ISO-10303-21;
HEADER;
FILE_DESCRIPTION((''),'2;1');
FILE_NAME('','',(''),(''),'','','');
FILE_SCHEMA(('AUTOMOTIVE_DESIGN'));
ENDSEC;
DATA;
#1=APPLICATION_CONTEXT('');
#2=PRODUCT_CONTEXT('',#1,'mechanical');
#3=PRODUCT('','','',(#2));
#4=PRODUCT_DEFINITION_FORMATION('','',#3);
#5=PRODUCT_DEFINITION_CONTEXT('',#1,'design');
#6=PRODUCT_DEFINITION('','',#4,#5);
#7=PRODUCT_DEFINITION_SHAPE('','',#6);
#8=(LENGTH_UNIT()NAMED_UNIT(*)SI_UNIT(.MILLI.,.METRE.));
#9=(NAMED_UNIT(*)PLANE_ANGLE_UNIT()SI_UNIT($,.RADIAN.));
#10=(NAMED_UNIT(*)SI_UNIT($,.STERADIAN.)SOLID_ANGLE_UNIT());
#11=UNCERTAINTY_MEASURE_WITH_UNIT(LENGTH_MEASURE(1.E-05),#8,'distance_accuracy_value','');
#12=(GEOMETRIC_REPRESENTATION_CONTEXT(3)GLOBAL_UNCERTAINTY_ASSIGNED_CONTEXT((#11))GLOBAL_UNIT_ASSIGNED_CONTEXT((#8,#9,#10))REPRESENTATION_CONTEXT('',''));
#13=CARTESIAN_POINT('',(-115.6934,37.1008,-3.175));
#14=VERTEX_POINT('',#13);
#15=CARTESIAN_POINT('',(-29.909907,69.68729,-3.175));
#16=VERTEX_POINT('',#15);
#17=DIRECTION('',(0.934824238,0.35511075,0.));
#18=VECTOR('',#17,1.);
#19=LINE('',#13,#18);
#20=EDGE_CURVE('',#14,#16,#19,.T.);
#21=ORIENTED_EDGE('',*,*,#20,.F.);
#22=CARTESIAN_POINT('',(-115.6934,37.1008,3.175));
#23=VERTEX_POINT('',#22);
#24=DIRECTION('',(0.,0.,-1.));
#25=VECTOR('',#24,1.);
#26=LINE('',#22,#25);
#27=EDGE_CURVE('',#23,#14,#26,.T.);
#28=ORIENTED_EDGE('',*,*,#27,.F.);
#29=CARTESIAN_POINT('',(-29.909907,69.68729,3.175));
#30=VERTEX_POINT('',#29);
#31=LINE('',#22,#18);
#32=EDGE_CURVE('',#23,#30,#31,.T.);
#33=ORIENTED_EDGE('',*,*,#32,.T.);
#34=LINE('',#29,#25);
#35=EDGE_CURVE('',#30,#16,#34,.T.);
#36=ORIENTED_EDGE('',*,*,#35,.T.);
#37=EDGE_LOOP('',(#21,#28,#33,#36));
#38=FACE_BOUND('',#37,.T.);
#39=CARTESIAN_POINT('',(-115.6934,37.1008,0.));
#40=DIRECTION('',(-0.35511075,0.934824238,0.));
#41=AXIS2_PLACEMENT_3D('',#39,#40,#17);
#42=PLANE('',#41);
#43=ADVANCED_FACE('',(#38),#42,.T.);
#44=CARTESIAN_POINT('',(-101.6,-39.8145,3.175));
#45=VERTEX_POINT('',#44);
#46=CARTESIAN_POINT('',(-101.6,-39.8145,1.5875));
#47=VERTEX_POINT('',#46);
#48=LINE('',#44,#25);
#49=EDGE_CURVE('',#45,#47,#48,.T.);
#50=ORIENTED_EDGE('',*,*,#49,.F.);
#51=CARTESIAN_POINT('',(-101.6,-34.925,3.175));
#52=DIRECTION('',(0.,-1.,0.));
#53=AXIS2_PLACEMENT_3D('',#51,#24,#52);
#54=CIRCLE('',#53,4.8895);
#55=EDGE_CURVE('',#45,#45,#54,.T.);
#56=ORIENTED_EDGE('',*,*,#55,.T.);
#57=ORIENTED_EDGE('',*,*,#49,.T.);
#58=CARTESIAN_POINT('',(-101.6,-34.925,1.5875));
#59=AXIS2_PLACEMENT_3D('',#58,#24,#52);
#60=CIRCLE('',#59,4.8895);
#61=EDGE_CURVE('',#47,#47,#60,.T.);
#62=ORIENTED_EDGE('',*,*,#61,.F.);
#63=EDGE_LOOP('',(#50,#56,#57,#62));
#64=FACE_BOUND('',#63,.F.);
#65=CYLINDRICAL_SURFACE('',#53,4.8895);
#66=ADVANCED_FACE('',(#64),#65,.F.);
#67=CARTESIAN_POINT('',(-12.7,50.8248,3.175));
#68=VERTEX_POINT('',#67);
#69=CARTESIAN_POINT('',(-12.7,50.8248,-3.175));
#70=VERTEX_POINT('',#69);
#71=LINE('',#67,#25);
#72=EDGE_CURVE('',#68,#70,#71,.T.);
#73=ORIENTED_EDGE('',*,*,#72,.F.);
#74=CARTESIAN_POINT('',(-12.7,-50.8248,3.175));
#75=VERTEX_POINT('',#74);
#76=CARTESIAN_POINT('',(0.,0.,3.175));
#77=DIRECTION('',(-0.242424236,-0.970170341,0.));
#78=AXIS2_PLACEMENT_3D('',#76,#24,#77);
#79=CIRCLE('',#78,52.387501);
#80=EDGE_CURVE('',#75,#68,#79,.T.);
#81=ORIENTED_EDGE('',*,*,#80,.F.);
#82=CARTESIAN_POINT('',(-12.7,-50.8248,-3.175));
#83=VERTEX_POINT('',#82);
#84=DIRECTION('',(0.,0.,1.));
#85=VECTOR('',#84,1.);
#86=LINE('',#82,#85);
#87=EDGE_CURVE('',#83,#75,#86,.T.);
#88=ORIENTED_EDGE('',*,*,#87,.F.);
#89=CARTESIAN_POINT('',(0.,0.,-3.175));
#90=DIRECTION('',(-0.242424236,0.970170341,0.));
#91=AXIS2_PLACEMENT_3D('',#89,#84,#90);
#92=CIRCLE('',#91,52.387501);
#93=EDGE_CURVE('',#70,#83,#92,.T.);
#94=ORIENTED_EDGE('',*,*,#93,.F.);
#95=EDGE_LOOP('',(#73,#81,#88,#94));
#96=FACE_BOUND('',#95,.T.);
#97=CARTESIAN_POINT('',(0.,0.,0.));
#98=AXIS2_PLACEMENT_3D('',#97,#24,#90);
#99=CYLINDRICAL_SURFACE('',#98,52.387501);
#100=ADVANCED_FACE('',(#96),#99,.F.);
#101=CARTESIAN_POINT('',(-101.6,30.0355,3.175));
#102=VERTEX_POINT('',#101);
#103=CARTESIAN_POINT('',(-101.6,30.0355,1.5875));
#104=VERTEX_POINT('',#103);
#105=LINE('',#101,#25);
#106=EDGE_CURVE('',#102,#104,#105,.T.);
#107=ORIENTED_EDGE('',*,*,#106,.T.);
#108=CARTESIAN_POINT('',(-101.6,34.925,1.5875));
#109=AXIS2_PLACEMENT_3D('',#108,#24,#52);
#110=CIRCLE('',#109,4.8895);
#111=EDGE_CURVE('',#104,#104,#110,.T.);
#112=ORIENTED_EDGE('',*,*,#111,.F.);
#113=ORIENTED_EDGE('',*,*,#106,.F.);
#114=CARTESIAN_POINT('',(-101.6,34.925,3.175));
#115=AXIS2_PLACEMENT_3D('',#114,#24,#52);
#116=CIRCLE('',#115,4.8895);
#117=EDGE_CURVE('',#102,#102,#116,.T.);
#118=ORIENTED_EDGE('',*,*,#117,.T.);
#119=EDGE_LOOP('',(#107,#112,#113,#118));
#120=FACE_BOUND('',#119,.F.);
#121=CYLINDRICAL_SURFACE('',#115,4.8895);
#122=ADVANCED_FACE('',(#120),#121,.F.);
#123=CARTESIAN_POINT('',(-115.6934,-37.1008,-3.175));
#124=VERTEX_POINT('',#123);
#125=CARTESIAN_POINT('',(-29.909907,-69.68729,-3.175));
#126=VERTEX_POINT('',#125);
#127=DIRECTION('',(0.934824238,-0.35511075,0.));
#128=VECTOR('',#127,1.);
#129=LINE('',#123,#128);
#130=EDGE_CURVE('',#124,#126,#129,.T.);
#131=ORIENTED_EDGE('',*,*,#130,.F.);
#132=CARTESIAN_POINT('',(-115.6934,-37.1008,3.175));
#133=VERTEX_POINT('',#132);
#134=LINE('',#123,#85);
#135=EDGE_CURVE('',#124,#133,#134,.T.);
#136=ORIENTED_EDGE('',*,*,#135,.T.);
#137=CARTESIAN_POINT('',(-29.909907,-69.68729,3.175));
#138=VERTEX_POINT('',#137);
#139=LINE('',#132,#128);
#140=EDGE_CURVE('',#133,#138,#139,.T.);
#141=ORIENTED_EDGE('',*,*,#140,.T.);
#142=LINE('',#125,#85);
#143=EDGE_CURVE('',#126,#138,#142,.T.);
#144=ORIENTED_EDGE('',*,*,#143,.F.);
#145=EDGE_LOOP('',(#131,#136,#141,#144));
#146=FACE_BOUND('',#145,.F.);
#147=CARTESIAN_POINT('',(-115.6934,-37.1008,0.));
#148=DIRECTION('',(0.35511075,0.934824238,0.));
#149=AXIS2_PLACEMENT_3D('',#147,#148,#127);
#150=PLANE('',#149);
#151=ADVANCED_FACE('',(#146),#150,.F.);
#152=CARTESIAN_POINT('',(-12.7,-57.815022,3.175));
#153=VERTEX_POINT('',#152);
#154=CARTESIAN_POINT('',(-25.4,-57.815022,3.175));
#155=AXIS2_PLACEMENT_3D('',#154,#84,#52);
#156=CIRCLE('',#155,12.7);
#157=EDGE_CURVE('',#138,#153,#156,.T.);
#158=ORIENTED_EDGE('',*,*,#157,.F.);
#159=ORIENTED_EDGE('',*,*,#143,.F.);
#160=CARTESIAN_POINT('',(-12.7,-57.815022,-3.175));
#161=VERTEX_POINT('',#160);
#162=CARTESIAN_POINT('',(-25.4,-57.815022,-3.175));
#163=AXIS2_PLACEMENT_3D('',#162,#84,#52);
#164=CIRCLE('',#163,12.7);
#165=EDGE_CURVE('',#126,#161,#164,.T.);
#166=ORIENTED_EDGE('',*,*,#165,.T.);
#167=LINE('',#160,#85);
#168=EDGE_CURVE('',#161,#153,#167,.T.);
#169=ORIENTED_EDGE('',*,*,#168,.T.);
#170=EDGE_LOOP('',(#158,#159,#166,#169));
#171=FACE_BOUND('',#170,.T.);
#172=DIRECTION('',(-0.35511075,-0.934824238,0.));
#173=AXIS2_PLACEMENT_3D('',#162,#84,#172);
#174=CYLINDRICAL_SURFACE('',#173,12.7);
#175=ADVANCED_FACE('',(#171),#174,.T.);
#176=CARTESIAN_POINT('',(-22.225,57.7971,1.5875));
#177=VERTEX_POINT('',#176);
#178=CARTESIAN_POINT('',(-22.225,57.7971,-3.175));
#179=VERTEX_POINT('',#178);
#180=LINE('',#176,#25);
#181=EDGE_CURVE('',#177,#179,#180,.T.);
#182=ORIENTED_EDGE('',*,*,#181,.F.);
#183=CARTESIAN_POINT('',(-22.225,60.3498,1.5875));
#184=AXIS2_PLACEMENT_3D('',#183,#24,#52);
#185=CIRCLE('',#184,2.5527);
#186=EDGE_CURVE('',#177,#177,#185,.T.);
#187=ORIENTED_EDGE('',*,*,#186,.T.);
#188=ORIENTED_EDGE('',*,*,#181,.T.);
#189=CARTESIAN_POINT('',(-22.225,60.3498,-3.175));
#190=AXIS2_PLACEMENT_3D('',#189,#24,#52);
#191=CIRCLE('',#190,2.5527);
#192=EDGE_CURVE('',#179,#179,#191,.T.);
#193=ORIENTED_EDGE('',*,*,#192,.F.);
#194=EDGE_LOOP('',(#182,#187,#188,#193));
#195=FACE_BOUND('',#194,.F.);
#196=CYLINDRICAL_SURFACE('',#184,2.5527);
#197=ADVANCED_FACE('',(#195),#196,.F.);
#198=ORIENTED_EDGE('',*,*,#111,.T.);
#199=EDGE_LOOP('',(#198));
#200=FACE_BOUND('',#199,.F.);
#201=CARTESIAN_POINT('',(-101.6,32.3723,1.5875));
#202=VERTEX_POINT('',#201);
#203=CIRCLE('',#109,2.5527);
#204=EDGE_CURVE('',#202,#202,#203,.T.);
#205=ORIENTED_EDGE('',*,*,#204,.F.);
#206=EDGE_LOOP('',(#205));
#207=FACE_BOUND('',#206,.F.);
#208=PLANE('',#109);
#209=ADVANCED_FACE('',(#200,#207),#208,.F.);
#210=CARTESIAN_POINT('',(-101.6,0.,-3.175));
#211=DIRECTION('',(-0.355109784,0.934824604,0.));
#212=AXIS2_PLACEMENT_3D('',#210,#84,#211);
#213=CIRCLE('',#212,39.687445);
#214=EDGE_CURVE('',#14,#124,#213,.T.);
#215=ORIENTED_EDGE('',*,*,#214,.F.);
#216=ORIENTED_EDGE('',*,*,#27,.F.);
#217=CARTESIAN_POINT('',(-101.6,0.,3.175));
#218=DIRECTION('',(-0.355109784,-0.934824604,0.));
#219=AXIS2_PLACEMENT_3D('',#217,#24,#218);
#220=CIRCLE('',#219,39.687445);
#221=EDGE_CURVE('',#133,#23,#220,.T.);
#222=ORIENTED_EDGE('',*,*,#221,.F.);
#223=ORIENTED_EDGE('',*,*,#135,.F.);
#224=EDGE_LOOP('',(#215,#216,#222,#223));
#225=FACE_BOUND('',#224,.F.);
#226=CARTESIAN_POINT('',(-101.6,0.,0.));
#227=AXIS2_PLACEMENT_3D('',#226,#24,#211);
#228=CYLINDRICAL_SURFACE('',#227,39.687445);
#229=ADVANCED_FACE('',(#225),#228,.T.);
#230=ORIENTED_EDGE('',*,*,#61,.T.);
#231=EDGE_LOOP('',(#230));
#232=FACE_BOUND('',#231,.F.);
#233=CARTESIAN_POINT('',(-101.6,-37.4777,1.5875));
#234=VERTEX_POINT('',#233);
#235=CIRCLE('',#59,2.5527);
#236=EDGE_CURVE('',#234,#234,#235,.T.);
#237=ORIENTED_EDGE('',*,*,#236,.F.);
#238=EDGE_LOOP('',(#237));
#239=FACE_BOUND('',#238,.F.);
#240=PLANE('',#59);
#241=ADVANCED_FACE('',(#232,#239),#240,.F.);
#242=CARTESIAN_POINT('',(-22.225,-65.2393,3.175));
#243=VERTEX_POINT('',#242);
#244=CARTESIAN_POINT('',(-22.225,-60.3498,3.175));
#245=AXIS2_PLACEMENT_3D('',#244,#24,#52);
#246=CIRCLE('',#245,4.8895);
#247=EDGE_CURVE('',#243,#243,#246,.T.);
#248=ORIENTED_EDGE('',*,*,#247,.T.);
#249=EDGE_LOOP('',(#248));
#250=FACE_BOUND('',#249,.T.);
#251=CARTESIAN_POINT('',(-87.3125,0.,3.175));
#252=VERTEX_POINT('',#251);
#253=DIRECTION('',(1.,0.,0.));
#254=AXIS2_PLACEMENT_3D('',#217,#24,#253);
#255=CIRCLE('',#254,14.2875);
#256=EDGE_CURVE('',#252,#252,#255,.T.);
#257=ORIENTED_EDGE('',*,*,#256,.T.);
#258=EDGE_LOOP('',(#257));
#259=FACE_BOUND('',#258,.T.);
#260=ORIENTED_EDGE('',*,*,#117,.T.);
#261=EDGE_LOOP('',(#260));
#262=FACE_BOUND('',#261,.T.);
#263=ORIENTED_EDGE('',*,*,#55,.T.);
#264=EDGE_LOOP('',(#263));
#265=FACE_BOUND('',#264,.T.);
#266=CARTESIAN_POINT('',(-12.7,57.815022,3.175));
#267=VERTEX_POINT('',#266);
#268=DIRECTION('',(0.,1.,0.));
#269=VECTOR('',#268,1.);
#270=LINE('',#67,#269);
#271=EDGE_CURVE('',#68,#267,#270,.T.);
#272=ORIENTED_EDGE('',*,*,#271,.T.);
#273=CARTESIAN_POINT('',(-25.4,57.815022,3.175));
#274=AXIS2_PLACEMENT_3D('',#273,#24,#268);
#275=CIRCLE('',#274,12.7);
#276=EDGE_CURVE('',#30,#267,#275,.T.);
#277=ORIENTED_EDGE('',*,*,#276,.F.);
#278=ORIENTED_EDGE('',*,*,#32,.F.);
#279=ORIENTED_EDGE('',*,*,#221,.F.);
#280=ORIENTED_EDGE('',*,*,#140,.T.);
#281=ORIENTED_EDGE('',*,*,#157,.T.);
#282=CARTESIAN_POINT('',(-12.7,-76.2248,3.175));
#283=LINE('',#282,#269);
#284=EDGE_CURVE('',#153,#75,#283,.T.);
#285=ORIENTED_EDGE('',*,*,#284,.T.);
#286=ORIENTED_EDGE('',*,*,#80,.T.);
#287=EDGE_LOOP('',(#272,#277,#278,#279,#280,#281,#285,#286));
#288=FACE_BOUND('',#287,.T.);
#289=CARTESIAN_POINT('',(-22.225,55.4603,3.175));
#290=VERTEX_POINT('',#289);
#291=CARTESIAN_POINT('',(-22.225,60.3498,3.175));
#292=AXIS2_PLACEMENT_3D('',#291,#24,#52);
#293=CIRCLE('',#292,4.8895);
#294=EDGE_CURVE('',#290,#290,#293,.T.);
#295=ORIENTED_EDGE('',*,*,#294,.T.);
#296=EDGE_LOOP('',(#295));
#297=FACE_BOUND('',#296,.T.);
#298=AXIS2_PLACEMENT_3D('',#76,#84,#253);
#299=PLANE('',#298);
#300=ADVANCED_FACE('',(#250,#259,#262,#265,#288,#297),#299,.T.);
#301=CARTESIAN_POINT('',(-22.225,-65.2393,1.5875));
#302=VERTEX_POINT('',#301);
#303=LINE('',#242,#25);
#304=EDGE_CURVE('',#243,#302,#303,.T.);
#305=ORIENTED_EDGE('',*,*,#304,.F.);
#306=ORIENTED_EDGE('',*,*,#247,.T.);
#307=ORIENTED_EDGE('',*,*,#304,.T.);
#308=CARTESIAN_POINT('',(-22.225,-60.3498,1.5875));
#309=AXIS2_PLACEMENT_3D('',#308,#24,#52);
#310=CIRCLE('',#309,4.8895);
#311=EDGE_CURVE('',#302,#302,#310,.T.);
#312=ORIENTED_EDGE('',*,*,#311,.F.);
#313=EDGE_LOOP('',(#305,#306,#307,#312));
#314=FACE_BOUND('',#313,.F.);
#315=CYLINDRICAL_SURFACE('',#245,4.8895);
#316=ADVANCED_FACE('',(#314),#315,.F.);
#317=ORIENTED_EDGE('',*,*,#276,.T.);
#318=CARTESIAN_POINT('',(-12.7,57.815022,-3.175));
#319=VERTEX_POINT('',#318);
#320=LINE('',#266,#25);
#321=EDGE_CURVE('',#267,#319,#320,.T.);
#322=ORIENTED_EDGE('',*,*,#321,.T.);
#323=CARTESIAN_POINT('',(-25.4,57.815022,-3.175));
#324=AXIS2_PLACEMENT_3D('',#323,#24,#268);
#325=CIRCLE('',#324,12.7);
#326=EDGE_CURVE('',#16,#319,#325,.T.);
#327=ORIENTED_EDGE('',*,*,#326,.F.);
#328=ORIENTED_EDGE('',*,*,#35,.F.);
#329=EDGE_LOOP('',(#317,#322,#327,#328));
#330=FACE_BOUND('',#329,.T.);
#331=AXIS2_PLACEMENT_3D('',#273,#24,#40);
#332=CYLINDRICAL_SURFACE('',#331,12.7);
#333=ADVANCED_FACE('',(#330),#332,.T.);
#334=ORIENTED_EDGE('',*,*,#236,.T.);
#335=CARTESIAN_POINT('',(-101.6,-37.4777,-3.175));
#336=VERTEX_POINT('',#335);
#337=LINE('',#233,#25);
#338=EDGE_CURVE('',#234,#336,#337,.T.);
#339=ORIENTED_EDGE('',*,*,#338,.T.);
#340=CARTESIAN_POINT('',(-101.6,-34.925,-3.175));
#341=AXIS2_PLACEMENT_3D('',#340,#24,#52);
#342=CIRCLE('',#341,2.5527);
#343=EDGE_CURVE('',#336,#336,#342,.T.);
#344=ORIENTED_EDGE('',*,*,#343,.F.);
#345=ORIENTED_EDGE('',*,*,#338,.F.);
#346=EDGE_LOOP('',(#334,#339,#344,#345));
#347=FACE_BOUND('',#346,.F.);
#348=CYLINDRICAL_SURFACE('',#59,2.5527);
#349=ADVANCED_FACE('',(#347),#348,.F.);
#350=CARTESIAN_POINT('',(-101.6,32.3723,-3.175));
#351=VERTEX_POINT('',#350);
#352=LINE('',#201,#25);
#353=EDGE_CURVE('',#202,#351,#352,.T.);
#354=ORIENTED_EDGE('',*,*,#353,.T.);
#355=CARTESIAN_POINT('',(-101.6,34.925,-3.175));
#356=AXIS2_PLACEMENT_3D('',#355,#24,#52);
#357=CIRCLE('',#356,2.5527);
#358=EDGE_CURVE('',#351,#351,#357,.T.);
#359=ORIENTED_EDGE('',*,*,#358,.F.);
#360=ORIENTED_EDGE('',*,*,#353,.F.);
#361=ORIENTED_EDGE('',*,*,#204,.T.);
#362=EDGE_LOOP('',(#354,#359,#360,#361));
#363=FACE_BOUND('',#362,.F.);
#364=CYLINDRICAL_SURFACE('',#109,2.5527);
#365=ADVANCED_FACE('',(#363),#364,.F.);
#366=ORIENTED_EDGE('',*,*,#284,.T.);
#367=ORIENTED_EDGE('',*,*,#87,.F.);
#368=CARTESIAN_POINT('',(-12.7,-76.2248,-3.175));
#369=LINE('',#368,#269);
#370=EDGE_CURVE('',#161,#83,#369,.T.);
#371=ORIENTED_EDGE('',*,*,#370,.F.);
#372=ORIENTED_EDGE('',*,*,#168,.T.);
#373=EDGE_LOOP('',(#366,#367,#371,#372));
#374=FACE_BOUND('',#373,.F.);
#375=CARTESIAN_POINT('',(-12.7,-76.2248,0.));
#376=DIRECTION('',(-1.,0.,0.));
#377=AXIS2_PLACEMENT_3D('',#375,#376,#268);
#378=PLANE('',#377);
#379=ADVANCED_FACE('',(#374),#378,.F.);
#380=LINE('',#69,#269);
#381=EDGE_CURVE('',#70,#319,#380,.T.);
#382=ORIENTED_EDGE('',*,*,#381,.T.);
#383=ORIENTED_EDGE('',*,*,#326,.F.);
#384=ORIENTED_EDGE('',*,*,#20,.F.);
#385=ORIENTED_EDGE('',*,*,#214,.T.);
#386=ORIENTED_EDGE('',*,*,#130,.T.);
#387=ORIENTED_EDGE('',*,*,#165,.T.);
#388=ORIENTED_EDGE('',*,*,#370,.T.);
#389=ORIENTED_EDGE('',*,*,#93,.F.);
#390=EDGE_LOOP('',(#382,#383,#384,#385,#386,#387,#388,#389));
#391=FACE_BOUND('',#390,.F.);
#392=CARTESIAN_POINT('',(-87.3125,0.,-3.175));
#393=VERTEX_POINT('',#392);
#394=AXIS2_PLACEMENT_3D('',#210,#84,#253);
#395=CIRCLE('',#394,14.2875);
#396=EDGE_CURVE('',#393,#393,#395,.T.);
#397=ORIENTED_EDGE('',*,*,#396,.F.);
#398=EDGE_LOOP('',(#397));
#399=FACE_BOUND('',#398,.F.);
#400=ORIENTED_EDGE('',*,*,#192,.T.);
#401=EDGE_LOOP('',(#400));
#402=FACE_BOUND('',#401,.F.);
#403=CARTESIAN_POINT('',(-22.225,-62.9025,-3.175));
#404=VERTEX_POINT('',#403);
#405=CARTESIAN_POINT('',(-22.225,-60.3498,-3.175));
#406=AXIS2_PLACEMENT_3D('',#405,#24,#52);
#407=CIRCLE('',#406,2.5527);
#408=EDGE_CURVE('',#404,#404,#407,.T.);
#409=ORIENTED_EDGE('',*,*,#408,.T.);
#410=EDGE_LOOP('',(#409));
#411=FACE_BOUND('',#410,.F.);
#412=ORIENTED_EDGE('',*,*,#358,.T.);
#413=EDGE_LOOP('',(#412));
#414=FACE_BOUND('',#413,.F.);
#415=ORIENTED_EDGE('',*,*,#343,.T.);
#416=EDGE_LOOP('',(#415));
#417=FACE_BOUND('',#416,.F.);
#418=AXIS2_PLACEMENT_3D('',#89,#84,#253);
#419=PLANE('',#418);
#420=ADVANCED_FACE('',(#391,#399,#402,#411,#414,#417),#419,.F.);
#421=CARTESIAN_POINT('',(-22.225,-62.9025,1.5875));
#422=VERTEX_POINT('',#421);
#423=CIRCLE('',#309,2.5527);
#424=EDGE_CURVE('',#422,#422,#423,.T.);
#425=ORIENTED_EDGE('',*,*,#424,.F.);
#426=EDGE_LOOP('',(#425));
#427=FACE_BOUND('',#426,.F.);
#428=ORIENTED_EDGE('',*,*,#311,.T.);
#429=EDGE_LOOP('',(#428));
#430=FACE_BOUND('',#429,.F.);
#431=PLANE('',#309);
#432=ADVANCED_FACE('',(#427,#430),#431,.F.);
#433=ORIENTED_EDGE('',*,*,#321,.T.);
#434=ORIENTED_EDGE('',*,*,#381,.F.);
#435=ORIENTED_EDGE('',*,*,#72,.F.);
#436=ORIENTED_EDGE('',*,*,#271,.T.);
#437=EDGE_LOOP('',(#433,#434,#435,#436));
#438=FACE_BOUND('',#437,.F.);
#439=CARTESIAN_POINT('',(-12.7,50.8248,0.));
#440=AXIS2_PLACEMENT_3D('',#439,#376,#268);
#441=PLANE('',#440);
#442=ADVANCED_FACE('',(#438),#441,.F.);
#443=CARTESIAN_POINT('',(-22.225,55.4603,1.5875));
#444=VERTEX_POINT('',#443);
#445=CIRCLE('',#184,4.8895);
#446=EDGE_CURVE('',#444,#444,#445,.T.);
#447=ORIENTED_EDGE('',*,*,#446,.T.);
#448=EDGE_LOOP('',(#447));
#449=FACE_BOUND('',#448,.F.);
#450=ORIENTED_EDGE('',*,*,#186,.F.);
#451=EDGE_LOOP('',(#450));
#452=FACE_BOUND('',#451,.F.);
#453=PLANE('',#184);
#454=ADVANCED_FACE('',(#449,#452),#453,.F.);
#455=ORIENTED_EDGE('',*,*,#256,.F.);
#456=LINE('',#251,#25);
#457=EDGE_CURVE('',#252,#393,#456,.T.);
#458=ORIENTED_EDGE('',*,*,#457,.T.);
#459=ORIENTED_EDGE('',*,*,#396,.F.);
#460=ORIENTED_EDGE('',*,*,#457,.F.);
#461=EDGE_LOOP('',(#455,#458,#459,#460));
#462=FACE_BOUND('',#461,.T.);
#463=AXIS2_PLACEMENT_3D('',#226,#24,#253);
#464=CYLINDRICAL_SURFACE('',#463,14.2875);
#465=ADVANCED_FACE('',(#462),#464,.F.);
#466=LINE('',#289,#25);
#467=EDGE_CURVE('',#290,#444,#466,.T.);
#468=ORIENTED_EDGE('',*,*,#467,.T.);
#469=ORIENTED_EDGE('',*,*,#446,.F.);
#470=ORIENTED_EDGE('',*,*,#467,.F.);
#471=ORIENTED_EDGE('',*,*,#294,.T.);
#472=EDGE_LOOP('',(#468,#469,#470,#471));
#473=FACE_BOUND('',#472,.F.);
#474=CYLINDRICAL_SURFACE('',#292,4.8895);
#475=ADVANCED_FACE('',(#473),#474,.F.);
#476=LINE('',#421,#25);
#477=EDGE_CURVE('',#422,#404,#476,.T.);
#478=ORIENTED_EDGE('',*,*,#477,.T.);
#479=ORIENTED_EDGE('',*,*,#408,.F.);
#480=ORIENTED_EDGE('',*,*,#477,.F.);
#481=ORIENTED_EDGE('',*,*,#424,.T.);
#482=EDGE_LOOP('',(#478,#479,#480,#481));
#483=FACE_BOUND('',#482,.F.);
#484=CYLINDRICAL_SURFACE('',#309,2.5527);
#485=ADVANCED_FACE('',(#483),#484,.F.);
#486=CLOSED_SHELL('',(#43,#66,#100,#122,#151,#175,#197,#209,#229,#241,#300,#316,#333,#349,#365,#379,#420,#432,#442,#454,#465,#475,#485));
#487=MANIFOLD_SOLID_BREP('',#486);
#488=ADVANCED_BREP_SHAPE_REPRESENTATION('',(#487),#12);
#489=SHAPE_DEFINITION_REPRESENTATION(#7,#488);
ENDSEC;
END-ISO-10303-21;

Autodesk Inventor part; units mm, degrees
ref_plane "YZ Plane" through (0, 0, 0) normal (1, 0, 0) x (0, 1, 0)
ref_plane "XZ Plane" through (0, 0, 0) normal (0, 1, 0) x (-1, 0, 0)
ref_plane "XY Plane" through (0, 0, 0) normal (0, 0, 1) x (1, 0, 0)
sketch "Sketch1" plane through (0, 0, 0) normal (0, 0, 1) x (1, 0, 0)
  line L0 (-179.705, 0) -> (89.2175, 0) projected
  line L1 (0, -106.7147) -> (0, 106.7147) projected
  circle A0 centre (0, 0) radius 50.8 construction
  arc A1 (-12.7, 50.8248) -> (-12.7, -50.8248) centre (0, 0) ccw
  line L2 (0, -55.5625) -> (0, -68.2625)
  circle A2 centre (-101.6, 0) radius 14.2875
  line L3 (-101.6, -14.2875) -> (-101.6, 14.2875) construction
  line L4 (-115.6934, 37.1008) -> (-12.7, 76.2248)
  line L5 (-115.6934, -37.1008) -> (-12.7, -76.2248)
  arc A3 (-115.6934, 37.1008) -> (-115.6934, -37.1008) centre (-101.6, 0) ccw
  line L6 (-12.7, 50.8248) -> (-12.7, 76.2248)
  line L7 (-12.7, -76.2248) -> (-12.7, -50.8248)
  dimension "d0" = 101.6
  dimension "d1" = 1.5875
  dimension "d2" = 28.575
  dimension "d4" = 101.6
  dimension "d7" = 25.4
  dimension "d8" = 25.4
  dimension "d10" = 12.7
extrude "Extrusion1" add sketch "Sketch1" along normal mid plane 6.35 contours A3 L4 L6 A1 L0 A2 | L0 A2 A1 L7 L5 A3
sketch "Sketch2" plane through (0, 0, 3.175) normal (0, 0, 1) x (1, 0, 0)
  line L0 (-12.7, 76.2248) -> (-12.7, 50.8248) projected
  line L1 (-167.005, 0) -> (13.0175, 0) projected
  point P0 (-22.225, 60.3498)
  point P1 (-22.225, -60.3498)
  dimension "d13" = 9.525
  dimension "d14" = 15.875
hole "Hole1" at (-22.225, 60.3498, 3.175) at (-22.225, -60.3498, 3.175) direction (0, 0, -1) diameter 5.1054 end through all counterbore diameter 9.779 counterbore depth 1.5875 clearance for "Flat Head Machine Screw (82)" size "#10" standard "Ansi Unified Screw Threads"
fillet "Fillet1" radius 12.7 1 edges at (-12.7, 76.2248, 0)
fillet "Fillet1" radius 12.7 1 edges at (-12.7, -76.2248, 0)
sketch "Sketch3" plane through (0, 0, 3.175) normal (0, 0, 1) x (1, 0, 0)
  arc A0 (-115.6934, 37.1008) -> (-115.6934, -37.1008) centre (-101.6, 0) ccw projected
  line L0 (-169.545, 0) -> (28.2575, 0) projected
  point P0 (-101.6, 34.925)
  point P1 (-101.6, -34.925)
  dimension "d24" = 34.925
hole "Hole2" at (-101.6, 34.925, 3.175) at (-101.6, -34.925, 3.175) direction (0, 0, -1) diameter 5.1054 end through all counterbore diameter 9.779 counterbore depth 1.5875 clearance for "Flat Head Machine Screw (82)" size "#10" standard "Ansi Unified Screw Threads"
properties part number "plate2"
